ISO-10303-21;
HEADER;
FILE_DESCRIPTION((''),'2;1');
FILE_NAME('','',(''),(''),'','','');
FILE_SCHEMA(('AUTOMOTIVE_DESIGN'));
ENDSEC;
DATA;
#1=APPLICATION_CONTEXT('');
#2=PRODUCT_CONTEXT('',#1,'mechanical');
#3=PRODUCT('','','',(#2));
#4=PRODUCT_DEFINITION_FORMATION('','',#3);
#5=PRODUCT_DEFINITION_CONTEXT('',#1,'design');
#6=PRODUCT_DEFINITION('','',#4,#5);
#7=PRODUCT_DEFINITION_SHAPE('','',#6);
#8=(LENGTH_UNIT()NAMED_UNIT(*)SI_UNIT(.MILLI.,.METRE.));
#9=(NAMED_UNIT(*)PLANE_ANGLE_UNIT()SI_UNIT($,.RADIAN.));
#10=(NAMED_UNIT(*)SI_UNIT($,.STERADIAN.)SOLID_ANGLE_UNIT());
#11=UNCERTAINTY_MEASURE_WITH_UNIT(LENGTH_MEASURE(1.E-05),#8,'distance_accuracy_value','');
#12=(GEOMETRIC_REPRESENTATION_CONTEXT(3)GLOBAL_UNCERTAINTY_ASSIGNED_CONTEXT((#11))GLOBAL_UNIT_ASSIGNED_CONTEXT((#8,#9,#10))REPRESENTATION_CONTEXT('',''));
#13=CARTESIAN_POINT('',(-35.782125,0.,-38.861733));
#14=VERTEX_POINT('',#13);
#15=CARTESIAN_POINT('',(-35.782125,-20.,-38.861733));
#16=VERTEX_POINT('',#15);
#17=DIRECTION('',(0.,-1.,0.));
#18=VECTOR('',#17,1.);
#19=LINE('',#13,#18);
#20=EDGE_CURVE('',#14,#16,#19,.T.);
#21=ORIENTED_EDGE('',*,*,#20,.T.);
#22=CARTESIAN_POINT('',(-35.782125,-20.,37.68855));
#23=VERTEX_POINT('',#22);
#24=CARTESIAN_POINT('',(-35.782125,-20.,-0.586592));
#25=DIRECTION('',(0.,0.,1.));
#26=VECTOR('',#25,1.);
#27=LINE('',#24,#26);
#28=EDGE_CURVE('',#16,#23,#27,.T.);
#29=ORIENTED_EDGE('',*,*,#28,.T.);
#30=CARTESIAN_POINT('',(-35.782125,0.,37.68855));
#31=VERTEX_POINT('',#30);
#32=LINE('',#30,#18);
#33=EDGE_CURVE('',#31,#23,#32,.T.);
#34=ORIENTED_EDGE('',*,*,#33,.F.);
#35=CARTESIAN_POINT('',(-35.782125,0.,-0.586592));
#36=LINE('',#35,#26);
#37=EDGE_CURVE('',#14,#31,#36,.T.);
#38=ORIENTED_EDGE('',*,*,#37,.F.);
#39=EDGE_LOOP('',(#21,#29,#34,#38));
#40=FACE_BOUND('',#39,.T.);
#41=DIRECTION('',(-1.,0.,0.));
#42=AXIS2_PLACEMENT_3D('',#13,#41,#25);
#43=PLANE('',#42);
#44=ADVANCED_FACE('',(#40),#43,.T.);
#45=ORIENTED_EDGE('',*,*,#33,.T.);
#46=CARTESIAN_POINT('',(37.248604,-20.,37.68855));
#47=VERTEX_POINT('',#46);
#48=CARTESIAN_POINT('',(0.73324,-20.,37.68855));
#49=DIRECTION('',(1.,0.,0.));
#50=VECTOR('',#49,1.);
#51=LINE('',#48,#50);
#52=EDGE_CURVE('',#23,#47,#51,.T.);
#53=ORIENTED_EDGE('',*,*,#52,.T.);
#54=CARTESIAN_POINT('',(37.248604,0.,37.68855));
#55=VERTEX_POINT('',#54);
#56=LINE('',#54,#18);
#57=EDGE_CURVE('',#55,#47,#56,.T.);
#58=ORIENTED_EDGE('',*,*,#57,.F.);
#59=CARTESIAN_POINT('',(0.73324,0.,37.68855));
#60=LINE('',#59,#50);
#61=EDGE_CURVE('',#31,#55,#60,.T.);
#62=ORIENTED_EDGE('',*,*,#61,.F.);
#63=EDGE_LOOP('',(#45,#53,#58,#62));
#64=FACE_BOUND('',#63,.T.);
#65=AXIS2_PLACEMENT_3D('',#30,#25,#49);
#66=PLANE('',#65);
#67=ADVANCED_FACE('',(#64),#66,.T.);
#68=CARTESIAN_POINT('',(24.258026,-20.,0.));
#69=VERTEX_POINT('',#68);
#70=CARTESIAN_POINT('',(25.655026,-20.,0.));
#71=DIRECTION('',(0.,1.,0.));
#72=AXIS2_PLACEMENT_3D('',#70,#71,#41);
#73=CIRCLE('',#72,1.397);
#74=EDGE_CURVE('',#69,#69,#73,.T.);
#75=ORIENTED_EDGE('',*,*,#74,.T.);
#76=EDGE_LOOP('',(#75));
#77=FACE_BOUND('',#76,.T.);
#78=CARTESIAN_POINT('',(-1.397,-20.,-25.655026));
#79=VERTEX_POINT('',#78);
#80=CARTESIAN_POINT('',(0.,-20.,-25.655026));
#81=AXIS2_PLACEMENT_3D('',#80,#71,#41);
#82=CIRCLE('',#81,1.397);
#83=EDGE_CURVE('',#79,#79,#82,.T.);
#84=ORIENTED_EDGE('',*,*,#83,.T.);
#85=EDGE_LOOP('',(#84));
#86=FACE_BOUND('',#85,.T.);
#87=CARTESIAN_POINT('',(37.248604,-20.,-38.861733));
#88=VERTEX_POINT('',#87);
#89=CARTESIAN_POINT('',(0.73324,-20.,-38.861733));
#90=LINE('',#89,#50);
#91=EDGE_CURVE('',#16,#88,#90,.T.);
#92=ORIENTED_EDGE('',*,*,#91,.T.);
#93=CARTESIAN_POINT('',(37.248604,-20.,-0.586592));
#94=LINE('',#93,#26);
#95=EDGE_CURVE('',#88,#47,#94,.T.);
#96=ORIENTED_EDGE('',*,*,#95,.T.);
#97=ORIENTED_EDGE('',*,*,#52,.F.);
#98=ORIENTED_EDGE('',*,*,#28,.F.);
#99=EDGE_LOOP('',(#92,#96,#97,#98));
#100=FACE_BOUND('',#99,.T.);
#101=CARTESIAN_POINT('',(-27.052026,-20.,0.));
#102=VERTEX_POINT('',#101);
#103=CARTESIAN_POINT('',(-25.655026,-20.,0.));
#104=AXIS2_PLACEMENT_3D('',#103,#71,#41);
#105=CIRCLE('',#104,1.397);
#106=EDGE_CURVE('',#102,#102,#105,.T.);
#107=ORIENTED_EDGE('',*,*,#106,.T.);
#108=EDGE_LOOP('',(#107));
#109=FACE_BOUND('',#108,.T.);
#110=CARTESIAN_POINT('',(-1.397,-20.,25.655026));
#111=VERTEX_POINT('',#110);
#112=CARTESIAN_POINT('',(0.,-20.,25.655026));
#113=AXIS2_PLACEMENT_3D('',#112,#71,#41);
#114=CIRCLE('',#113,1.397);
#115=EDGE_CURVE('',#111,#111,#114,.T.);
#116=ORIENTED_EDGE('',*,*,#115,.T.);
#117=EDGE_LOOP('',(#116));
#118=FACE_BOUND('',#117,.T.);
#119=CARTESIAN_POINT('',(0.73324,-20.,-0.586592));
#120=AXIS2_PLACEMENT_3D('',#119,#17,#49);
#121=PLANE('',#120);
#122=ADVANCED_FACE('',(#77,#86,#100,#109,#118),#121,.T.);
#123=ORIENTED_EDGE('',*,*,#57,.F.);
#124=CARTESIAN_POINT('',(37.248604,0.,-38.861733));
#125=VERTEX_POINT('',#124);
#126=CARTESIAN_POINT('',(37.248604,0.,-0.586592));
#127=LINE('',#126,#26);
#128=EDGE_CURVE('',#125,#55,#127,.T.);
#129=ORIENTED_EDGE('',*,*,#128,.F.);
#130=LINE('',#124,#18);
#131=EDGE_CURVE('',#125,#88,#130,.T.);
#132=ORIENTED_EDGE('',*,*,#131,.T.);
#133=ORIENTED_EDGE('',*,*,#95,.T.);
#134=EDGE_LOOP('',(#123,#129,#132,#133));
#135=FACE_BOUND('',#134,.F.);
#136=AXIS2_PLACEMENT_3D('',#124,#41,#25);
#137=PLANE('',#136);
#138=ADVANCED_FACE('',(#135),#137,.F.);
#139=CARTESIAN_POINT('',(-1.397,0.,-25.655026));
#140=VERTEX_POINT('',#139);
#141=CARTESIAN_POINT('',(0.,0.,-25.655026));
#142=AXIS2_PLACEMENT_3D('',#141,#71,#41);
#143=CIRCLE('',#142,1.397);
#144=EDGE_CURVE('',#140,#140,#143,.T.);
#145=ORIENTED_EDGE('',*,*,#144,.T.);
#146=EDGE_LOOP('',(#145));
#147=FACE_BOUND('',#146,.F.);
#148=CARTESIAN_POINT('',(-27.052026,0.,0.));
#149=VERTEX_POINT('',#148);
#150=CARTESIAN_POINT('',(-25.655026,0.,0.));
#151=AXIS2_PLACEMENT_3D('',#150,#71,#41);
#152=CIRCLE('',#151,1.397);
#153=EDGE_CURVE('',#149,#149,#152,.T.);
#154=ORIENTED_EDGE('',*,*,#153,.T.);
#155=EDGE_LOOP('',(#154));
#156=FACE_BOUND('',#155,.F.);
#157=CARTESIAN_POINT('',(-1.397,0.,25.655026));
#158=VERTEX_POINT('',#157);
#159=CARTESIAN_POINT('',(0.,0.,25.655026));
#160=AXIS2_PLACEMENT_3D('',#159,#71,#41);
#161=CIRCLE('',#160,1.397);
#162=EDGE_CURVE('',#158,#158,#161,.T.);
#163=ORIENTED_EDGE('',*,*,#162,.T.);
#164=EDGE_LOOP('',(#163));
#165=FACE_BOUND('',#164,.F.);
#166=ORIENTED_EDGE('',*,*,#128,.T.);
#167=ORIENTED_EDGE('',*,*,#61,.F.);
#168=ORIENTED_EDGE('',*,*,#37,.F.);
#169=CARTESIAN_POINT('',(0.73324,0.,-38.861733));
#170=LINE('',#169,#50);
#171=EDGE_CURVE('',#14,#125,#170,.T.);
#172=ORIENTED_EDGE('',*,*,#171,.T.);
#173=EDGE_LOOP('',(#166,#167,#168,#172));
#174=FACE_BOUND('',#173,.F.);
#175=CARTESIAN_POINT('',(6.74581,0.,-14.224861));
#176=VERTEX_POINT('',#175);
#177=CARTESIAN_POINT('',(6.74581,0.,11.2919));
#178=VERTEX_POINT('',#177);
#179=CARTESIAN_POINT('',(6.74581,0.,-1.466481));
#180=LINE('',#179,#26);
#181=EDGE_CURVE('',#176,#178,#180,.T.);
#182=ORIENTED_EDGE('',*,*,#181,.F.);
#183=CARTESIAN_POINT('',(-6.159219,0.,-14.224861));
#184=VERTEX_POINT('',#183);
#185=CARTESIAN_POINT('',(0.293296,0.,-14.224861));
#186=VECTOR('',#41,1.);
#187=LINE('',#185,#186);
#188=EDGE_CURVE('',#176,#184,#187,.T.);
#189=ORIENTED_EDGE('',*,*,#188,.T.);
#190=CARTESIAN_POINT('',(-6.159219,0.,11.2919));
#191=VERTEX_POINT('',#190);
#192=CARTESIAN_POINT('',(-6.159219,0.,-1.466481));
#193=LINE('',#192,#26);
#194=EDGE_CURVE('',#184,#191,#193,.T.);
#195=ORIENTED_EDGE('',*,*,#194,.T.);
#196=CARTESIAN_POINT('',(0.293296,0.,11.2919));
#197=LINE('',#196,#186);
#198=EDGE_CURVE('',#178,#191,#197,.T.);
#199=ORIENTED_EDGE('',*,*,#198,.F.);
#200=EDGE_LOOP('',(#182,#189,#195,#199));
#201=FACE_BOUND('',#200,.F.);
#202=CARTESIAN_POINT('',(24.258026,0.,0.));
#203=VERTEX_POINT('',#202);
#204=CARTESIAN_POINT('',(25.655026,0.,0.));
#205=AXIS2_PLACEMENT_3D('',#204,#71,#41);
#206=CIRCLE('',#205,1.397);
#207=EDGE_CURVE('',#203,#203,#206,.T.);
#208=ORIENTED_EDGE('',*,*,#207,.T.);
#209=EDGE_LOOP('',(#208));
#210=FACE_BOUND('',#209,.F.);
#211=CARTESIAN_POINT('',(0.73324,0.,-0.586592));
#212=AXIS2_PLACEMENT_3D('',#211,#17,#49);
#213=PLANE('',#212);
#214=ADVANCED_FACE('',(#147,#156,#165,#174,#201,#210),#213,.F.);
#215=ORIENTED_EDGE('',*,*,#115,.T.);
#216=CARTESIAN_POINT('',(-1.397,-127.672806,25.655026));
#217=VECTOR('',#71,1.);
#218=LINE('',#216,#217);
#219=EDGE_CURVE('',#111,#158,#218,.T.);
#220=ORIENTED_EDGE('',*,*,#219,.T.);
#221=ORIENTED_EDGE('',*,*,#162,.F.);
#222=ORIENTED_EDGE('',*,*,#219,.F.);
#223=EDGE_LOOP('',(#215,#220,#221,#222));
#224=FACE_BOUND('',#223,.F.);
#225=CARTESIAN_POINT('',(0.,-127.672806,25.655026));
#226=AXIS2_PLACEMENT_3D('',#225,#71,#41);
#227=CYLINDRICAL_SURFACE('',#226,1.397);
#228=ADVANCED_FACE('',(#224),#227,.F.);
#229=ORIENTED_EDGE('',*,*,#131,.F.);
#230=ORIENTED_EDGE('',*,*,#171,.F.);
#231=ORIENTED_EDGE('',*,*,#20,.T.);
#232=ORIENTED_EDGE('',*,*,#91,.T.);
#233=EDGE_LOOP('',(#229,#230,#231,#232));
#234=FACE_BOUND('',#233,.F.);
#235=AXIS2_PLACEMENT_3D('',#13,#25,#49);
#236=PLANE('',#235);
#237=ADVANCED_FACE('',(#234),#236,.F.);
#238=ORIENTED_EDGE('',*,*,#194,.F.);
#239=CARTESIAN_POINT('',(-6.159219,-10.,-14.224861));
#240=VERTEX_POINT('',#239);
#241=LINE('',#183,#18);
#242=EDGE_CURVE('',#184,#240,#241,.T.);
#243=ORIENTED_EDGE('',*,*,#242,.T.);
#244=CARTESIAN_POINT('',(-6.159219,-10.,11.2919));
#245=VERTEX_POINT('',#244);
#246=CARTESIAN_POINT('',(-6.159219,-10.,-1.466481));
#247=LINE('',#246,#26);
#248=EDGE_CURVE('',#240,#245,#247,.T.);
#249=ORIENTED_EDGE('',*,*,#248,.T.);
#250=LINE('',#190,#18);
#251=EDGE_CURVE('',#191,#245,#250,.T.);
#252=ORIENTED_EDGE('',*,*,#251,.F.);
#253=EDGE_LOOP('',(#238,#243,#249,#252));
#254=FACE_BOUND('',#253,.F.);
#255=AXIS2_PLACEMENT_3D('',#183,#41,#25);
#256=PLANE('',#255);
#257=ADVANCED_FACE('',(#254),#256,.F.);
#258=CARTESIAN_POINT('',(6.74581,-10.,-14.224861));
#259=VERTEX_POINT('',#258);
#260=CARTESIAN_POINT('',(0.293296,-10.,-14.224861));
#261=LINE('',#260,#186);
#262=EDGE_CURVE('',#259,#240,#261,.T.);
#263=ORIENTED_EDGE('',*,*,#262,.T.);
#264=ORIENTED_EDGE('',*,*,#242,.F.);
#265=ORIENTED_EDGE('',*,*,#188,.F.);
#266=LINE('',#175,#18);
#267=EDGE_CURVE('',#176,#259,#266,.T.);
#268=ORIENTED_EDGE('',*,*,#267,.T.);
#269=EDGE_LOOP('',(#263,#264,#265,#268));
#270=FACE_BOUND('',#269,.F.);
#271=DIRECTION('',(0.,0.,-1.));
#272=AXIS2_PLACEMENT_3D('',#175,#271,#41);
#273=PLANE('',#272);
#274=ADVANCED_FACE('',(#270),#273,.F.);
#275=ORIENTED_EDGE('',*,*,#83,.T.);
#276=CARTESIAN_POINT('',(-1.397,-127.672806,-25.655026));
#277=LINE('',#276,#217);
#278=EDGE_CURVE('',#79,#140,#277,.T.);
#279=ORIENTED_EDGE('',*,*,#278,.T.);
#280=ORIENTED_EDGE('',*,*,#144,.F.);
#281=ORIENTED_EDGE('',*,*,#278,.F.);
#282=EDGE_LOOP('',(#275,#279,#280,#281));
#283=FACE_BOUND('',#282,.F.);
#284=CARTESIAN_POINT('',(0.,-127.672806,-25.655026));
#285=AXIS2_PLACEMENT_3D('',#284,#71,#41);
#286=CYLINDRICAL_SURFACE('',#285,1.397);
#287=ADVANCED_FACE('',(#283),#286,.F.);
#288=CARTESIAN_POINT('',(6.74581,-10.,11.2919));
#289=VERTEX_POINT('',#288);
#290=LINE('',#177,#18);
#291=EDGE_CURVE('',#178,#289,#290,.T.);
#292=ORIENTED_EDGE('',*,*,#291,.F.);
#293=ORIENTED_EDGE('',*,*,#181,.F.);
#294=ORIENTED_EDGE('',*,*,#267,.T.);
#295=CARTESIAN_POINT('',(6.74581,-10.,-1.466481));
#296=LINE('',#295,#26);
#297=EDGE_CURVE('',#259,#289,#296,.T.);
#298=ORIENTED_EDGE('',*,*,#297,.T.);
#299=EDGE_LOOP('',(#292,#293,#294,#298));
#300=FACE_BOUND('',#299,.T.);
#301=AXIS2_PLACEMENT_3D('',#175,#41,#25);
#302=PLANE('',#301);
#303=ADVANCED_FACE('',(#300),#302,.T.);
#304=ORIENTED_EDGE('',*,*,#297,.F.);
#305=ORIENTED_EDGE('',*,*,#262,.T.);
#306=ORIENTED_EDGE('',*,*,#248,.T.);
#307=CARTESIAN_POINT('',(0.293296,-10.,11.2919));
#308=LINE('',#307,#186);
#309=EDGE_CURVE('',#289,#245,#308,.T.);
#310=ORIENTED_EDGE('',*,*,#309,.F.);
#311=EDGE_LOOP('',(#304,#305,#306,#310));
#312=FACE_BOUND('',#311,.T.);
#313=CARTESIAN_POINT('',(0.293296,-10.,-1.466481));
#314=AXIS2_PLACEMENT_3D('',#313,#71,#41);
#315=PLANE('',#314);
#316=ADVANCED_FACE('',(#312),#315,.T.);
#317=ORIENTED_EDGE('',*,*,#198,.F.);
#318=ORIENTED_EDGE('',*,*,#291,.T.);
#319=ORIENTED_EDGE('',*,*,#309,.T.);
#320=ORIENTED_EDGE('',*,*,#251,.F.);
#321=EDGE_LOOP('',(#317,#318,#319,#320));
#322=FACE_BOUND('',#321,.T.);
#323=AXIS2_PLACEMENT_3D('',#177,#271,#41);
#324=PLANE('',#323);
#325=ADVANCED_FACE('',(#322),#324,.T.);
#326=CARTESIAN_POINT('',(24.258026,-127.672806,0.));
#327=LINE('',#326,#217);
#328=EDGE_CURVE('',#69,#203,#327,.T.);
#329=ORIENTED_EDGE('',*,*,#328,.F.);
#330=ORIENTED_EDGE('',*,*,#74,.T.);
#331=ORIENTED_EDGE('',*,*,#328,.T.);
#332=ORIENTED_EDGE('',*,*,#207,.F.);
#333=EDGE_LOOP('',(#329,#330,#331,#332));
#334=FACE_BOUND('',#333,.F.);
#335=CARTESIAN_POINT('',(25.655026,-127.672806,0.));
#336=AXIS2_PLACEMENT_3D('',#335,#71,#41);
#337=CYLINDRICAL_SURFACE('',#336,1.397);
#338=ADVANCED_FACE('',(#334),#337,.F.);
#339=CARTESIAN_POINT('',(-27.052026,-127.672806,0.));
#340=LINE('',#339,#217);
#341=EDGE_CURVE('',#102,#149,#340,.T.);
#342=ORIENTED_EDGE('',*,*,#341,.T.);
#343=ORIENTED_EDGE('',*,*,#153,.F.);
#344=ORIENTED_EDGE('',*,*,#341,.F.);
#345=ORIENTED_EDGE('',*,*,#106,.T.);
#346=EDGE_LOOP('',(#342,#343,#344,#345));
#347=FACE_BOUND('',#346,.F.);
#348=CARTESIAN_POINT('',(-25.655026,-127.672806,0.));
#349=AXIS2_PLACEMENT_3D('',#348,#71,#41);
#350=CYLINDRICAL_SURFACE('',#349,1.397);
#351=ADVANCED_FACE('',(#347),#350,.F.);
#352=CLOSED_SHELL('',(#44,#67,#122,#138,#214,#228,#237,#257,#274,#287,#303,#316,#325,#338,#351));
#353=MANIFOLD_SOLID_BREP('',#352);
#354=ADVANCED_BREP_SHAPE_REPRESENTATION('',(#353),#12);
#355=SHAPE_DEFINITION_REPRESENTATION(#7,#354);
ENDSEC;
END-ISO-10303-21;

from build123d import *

# Parameters (mm, degrees)
F0_W     = 73.0307288468
F0_H     = 76.5502825379
F1_DEPTH = 20
F2_W     = 12.9050291143
F2_H     = 25.5167605355
F3_DEPTH = 10
F5_D     = 2.794


with BuildPart() as f1:
    # F0 (on Front) → F1 (new body)
    with BuildSketch(Plane.XZ):
        with Locations((0.7332395762, -0.586591661)):
            Rectangle(F0_W, F0_H)
    extrude(amount=F1_DEPTH)

    # F2 (on face) → F3 (cut)
    with BuildSketch(Plane(origin=(0, 0, 0), x_dir=(-1, 0, 0), z_dir=(0, 1, 0))):
        with Locations((-0.2932955977, -1.4664805494)):
            Rectangle(F2_W, F2_H)
    extrude(amount=-F3_DEPTH, mode=Mode.SUBTRACT)

    # F5 (through all)
    with Locations(Plane.XZ.offset(20)):
        with Locations((0, 25.6550256172), (-25.6550256172, 0), (0, -25.6550256172), (25.6550256172, 0)):
            Hole(F5_D / 2)


solid = f1.part
